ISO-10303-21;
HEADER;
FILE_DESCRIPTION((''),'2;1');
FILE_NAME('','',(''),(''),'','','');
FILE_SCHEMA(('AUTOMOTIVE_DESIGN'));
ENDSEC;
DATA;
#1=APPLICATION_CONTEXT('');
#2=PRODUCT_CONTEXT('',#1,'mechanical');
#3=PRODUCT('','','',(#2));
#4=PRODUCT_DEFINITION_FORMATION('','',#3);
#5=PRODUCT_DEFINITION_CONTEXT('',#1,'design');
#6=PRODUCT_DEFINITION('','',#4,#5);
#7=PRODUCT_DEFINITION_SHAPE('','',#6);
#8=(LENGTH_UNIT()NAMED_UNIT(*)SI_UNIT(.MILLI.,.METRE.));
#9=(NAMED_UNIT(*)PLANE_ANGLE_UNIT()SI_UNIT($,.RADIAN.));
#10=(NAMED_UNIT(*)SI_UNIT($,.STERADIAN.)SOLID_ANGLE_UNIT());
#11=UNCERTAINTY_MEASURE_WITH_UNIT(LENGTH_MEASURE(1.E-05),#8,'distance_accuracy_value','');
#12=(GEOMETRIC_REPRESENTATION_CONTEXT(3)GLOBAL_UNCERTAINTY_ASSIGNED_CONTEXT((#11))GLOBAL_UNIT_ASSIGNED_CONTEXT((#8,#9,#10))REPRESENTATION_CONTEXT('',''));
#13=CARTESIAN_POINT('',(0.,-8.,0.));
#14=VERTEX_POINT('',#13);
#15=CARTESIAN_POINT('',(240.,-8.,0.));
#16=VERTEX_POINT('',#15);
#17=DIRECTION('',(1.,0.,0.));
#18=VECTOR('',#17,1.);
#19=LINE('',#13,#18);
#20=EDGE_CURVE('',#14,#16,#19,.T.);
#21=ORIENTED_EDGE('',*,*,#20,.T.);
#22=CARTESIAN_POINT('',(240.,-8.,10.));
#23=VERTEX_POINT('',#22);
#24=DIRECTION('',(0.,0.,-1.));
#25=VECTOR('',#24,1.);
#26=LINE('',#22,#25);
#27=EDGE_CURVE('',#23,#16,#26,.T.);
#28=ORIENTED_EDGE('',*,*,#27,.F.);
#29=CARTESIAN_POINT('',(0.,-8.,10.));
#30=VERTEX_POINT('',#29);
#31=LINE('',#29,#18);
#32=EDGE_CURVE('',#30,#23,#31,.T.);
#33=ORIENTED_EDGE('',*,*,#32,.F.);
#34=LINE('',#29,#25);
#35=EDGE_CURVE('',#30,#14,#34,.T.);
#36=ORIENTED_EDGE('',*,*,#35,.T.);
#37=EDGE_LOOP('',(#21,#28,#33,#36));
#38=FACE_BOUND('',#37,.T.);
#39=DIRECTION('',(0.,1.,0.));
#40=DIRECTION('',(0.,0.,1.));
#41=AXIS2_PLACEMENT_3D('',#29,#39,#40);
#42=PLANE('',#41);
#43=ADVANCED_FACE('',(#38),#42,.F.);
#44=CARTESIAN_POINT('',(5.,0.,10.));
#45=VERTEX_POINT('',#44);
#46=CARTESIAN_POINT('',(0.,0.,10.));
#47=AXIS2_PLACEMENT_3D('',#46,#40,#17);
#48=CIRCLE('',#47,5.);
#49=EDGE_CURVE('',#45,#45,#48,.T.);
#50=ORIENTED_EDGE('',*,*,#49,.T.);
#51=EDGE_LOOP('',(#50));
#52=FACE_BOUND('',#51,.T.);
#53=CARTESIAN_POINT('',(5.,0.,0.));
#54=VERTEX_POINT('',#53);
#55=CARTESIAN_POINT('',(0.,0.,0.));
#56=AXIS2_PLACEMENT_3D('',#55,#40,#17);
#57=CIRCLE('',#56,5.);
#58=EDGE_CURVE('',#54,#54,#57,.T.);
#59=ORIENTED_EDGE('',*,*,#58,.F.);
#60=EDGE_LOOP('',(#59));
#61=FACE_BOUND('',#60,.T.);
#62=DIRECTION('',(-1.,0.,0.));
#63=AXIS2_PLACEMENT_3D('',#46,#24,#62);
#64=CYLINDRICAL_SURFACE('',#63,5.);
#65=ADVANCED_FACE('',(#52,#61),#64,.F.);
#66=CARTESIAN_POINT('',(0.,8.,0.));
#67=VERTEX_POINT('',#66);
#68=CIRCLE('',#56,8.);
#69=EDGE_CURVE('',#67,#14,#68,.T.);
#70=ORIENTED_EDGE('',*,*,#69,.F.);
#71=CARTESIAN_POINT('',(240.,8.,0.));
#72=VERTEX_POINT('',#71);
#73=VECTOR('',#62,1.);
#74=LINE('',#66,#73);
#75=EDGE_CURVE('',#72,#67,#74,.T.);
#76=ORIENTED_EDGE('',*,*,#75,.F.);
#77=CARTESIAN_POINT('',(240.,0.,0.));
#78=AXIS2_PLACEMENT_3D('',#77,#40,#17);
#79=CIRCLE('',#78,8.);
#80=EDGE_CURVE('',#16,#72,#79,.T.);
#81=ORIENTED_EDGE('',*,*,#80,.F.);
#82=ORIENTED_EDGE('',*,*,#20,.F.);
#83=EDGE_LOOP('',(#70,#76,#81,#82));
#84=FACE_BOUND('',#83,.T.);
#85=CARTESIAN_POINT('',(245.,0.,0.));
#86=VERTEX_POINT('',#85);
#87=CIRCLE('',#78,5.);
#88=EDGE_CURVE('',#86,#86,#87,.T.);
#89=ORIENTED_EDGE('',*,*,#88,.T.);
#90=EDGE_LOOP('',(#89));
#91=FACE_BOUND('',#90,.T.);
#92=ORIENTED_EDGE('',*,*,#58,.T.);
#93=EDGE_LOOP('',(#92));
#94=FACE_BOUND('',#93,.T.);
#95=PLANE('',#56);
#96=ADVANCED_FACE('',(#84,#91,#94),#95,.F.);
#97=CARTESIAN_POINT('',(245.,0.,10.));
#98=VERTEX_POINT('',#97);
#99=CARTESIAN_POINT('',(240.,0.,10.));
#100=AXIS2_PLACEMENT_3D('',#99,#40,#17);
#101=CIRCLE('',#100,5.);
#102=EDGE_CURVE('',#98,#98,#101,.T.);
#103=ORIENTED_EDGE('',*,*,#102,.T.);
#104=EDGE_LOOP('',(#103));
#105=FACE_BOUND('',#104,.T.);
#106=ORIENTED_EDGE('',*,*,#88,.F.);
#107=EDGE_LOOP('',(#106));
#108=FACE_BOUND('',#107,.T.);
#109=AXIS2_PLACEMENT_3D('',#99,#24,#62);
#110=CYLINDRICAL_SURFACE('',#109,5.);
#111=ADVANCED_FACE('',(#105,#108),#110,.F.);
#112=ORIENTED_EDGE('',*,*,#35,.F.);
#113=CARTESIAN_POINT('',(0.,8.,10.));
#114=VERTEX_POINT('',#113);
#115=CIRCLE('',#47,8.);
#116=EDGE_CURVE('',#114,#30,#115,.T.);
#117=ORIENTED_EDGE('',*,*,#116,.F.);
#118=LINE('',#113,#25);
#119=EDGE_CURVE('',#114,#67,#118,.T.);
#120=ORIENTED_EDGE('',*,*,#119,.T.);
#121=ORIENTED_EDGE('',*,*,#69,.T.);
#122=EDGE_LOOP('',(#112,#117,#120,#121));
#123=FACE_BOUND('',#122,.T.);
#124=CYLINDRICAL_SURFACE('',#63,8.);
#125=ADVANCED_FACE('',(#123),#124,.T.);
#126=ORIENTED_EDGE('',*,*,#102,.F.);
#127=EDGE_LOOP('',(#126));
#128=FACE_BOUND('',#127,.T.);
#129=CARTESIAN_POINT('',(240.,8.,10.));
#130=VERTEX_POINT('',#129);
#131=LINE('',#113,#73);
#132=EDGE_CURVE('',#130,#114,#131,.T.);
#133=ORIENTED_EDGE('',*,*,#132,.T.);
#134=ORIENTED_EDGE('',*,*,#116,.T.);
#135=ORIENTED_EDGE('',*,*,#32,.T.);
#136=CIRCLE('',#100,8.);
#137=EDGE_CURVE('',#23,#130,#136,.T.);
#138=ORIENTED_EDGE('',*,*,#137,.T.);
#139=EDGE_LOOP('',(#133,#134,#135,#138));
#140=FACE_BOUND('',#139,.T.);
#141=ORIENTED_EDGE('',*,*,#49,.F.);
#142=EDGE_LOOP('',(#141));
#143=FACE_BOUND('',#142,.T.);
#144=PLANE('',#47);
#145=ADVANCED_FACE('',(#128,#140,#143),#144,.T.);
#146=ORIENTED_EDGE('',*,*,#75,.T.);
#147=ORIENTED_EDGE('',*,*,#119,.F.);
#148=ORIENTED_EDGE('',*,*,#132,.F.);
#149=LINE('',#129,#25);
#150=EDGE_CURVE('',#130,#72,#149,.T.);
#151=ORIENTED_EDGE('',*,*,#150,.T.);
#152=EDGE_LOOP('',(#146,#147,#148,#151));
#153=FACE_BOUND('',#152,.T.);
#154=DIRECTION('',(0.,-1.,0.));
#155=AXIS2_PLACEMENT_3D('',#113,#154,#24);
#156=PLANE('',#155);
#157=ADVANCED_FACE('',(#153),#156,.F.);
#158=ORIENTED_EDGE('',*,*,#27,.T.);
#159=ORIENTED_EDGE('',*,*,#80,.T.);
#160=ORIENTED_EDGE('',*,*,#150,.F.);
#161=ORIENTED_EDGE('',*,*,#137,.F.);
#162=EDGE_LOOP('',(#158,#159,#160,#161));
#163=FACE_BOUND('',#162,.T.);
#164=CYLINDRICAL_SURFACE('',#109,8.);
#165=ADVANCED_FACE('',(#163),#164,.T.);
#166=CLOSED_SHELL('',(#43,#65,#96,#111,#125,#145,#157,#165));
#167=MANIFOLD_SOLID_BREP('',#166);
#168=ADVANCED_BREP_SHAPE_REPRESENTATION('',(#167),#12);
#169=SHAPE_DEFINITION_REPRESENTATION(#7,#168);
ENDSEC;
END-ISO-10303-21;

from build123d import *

# Parameters (mm, degrees)
SKETCH1_R           = 5
BOSS_EXTRUDE1_DEPTH = 10


with BuildPart() as part:
    # Sketch1 → Boss-Extrude1 (new body)
    with BuildSketch(Plane.XY):
        with BuildLine():
            Line((0, 8), (240, 8))
            ThreePointArc((240, 8), (248, 0), (240, -8))
            Line((240, -8), (0, -8))
            ThreePointArc((0, -8), (-8, 0), (0, 8))
        make_face()
        with Locations((240, 0)):
            Circle(SKETCH1_R, mode=Mode.SUBTRACT)
        Circle(SKETCH1_R, mode=Mode.SUBTRACT)
    extrude(amount=BOSS_EXTRUDE1_DEPTH)


solid = part.part
